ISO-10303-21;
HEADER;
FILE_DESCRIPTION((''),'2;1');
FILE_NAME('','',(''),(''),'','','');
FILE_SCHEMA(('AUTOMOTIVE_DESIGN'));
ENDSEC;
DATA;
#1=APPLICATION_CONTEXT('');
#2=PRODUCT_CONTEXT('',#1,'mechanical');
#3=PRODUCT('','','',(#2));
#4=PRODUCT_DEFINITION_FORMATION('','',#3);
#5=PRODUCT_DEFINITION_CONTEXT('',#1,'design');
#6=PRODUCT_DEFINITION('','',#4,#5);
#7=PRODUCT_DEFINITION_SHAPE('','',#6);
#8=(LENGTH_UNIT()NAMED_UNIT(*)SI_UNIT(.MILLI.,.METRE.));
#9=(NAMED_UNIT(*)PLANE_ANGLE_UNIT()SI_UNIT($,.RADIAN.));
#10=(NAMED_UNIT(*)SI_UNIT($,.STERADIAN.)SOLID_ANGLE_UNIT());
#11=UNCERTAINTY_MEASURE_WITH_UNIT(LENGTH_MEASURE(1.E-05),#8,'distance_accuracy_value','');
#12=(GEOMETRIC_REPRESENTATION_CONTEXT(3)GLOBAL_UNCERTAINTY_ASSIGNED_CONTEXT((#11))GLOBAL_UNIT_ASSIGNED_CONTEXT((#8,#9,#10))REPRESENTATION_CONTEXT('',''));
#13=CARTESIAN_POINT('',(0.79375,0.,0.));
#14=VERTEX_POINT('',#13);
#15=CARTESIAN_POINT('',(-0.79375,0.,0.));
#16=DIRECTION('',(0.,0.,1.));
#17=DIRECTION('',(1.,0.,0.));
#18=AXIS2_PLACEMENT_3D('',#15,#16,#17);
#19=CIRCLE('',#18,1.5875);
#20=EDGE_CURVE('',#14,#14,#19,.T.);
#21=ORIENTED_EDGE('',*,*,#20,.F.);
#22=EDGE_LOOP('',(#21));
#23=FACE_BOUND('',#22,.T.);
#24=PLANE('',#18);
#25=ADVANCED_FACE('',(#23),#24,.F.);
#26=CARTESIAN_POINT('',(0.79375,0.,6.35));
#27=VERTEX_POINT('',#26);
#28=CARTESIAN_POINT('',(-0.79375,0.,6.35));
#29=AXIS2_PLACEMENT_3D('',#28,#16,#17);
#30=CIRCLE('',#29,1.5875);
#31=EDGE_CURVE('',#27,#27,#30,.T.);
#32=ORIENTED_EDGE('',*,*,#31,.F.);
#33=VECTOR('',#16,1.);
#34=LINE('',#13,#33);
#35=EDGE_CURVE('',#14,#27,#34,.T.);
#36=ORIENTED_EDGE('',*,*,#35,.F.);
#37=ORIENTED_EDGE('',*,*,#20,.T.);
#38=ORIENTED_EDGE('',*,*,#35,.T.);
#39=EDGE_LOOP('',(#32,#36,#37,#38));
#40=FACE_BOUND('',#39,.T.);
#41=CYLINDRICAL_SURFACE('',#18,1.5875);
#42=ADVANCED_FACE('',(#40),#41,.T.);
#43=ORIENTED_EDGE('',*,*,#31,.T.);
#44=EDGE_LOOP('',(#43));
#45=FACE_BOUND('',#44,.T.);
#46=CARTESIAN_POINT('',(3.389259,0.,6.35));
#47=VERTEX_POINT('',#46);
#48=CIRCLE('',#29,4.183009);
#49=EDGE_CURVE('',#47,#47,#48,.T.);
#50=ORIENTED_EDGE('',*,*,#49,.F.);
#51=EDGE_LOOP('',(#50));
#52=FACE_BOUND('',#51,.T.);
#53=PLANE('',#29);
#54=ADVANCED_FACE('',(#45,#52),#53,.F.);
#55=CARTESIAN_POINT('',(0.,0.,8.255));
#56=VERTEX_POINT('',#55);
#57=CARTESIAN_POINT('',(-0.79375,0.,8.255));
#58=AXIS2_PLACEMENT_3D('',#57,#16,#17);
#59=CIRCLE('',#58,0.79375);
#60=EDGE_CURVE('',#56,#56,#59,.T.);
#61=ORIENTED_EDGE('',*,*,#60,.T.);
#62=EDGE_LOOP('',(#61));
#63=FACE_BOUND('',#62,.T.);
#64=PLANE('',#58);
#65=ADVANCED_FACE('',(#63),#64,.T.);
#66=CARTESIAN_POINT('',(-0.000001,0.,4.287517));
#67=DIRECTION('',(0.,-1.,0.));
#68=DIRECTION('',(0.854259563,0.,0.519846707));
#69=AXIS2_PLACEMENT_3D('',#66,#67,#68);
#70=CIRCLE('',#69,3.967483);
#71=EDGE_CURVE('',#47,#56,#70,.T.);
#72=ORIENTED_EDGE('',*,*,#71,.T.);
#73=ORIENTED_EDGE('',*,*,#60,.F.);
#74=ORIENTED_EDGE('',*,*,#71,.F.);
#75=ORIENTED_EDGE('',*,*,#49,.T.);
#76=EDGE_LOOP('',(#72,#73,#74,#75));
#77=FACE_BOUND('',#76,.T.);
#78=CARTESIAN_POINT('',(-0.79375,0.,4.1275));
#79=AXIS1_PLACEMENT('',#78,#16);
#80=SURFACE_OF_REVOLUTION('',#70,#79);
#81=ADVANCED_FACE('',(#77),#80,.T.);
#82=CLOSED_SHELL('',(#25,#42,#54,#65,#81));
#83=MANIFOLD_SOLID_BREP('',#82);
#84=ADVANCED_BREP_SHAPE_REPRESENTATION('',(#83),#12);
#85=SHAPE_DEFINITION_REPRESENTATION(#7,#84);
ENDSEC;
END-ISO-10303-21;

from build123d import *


with BuildPart() as f1:
    # F0 (on Front) → F1 (revolve)
    with BuildSketch(Plane.XZ):
        Polygon((-0.79375, 0), (0, 0), (0, 4.28752), (0, 8.255), (-0.79375, 8.255), align=None)
        with BuildLine():
            Line((0, 4.28752), (0, 0))
            Line((0, 0), (0.79375, 0))
            Line((0.79375, 0), (0.79375, 6.35))
            Line((0.79375, 6.35), (3.389259, 6.35))
            ThreePointArc((3.389259, 6.35), (1.943971, 7.746114), (0, 8.255))
            Line((0, 8.255), (0, 4.28752))
        make_face()
    revolve(axis=Axis((-0.79375, 0, 4.1275), (0, 0, 1)))


solid = f1.part
